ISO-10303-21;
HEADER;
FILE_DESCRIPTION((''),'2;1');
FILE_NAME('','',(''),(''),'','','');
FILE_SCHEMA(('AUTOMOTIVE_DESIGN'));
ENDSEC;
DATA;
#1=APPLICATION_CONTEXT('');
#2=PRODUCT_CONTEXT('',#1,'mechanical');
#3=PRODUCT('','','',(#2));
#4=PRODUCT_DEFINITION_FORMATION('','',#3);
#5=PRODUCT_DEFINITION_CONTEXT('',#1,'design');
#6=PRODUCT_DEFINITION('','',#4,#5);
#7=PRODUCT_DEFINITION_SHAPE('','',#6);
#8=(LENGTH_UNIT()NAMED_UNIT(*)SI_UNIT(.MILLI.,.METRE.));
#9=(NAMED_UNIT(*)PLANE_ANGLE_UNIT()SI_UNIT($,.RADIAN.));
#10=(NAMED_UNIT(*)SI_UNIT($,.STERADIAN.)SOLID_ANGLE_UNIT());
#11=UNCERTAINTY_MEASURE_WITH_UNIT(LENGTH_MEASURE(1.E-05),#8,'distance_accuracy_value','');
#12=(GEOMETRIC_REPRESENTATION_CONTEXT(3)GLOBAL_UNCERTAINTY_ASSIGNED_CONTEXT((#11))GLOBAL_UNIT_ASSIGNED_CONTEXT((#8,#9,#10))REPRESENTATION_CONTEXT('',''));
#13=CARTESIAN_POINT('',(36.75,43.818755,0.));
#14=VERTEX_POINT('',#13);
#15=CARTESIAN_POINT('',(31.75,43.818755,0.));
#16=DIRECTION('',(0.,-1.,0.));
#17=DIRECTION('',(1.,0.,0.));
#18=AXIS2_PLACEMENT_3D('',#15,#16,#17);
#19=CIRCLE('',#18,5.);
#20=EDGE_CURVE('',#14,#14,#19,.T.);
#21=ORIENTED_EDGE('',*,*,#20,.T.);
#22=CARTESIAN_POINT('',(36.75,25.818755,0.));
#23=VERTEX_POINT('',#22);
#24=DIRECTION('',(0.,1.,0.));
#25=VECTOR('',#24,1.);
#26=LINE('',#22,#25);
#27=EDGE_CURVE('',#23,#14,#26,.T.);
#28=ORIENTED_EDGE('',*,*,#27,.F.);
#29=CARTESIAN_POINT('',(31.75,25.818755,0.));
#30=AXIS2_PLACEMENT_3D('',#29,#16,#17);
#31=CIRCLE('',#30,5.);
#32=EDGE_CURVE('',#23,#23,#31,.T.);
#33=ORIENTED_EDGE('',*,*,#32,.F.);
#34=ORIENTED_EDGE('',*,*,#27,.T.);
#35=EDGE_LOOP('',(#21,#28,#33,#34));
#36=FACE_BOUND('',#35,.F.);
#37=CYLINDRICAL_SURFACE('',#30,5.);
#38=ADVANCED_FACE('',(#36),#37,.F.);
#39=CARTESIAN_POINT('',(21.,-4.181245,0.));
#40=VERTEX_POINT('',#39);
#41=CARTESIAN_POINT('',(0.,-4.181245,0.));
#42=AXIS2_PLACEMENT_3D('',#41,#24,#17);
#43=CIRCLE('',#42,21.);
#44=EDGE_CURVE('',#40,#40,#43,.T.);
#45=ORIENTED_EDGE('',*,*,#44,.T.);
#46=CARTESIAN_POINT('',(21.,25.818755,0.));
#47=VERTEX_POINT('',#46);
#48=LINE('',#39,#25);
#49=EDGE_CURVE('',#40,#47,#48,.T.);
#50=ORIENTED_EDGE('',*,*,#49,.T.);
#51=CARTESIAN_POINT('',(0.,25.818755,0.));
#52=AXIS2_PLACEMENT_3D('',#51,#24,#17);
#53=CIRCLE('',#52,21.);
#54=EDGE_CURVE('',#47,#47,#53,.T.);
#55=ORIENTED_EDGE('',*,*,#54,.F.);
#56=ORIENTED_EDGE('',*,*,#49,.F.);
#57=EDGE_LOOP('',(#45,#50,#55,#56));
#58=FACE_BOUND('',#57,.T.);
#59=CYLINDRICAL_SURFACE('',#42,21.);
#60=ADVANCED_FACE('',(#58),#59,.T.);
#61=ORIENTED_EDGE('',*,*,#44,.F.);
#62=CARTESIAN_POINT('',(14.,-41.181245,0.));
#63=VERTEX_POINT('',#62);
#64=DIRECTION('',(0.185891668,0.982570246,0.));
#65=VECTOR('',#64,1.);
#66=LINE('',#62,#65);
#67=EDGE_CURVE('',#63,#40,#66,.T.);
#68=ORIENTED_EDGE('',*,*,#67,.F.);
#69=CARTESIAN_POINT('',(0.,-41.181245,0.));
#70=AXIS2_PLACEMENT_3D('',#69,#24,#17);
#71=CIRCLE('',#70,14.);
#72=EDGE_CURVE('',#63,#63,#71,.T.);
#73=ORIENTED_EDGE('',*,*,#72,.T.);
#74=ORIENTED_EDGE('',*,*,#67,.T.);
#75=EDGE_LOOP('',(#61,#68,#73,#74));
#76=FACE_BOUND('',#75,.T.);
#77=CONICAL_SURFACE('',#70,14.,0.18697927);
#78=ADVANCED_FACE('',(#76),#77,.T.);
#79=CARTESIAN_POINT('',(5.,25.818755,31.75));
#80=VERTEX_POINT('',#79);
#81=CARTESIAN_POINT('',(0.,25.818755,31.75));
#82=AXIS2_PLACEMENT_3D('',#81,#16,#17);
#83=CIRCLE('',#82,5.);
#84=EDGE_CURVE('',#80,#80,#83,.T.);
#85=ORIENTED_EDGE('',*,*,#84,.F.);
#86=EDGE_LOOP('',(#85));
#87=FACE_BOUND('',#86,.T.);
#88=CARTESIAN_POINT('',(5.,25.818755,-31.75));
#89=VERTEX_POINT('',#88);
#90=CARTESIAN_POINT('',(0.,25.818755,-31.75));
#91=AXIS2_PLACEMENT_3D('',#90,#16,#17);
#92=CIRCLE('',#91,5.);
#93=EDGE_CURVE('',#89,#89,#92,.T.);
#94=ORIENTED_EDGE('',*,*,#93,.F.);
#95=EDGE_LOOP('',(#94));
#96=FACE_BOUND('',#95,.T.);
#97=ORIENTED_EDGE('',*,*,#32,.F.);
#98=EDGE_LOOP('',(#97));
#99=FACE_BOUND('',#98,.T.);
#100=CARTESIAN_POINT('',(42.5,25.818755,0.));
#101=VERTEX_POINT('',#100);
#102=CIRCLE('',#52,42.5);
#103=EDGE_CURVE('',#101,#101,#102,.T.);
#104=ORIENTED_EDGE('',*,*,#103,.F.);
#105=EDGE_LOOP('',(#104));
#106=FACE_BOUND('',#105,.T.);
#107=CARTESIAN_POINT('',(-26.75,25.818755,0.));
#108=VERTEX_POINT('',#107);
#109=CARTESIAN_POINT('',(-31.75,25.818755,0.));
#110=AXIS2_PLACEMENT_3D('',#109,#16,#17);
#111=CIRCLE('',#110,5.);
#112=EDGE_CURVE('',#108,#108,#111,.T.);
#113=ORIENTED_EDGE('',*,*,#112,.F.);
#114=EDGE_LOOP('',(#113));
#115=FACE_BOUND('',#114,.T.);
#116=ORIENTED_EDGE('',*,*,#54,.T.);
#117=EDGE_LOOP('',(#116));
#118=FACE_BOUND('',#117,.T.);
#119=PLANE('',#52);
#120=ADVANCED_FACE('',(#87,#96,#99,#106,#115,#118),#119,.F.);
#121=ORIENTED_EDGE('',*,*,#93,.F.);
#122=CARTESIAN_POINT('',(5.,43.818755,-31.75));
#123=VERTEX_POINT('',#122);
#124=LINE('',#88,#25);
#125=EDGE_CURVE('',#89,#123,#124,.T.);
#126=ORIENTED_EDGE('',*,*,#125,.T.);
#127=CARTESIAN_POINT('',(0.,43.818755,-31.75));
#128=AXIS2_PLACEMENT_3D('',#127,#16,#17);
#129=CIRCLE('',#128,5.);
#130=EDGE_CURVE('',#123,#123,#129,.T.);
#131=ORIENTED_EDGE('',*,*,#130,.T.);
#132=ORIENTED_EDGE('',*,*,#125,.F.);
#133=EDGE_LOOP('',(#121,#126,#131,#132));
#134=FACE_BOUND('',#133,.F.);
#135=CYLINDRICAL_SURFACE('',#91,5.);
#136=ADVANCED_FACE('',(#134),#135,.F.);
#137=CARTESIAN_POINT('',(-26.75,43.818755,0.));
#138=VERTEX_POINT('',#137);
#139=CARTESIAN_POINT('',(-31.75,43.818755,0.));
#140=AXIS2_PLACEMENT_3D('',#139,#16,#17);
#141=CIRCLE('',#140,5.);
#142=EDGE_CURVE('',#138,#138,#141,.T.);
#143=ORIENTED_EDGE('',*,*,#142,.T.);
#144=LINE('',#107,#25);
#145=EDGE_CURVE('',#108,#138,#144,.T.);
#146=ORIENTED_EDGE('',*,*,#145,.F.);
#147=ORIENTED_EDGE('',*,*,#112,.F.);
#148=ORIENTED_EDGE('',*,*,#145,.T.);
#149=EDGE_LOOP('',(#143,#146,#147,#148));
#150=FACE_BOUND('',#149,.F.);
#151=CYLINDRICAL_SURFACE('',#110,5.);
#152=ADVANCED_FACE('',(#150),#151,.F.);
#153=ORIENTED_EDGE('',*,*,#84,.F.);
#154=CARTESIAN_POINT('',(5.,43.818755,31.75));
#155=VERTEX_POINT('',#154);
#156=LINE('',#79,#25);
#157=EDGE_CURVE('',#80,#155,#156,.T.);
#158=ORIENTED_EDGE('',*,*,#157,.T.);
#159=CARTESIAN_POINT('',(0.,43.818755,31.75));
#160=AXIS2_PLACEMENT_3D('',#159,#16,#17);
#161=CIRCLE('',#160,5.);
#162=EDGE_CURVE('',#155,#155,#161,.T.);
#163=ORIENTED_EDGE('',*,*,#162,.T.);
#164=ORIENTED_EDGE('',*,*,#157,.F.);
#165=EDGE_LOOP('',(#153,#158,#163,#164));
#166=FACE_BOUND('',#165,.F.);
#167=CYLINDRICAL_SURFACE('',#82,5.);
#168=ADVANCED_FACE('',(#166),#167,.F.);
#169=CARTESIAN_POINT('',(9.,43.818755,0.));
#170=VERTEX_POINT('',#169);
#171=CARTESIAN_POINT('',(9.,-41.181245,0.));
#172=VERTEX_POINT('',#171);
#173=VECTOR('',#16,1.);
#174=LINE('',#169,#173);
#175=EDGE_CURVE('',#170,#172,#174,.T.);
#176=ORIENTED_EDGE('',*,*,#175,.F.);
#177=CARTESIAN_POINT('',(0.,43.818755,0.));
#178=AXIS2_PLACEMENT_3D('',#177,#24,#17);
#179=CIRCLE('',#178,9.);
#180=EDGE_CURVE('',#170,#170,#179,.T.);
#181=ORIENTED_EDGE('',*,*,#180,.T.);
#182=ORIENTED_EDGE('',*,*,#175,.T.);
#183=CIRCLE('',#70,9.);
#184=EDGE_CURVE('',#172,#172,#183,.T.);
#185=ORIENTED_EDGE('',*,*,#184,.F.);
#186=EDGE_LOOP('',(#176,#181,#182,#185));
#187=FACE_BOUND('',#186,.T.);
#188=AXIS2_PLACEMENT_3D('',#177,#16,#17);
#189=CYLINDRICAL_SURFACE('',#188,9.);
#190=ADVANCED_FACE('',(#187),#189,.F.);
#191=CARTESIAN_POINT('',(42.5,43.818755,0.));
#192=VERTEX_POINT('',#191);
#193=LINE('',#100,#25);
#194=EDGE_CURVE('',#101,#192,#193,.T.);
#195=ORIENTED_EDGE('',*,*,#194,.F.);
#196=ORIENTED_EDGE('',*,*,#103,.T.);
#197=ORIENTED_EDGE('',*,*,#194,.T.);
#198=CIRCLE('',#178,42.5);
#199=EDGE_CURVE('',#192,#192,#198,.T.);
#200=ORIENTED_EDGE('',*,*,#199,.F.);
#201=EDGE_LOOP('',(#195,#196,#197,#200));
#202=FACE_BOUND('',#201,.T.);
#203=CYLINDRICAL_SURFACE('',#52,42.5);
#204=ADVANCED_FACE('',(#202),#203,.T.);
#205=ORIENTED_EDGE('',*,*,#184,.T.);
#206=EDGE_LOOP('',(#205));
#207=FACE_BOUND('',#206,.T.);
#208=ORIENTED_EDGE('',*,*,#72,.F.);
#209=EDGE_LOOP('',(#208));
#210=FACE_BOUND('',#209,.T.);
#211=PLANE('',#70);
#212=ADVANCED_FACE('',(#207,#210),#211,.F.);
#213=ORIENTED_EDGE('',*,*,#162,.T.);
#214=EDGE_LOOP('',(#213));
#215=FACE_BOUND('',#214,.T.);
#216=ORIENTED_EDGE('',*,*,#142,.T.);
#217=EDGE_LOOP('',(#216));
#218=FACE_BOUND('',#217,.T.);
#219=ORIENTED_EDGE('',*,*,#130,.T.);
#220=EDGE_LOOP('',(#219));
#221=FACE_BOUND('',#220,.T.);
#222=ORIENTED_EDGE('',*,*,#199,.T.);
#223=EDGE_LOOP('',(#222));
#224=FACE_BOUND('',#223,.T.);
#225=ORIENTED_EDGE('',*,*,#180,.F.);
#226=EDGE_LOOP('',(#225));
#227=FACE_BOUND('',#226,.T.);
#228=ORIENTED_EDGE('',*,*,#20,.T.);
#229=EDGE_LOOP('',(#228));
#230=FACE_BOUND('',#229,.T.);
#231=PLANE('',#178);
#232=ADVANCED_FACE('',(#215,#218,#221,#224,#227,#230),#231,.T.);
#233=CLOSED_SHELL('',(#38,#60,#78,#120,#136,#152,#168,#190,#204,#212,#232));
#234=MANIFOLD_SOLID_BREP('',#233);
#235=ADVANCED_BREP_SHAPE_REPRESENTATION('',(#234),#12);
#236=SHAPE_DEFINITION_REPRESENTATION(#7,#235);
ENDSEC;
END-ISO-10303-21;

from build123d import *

# Parameters (mm, degrees)
F2_R     = 5
F3_DEPTH = 18.001


with BuildPart() as f1:
    # F0 (on Top) → F1 (revolve)
    with BuildSketch(Plane.XY):
        Polygon((42.5, 43.818755), (9, 43.818755), (9, -41.181245), (14, -41.181245), (21, -4.181245), (21, 25.818755), (42.5, 25.818755), align=None)
    revolve(axis=Axis((0, -8.370262, 0), (0, 1, 0)))

    # F2 (on face) → F3 (cut, through all)
    with BuildSketch(Plane.XZ.offset(-25.818755)):
        with Locations((0, 31.75)):
            Circle(F2_R)
        with Locations((-31.75, 0)):
            Circle(F2_R)
        with Locations((0, -31.75)):
            Circle(F2_R)
        with Locations((31.75, 0)):
            Circle(F2_R)
    extrude(amount=-F3_DEPTH, mode=Mode.SUBTRACT)


solid = f1.part
